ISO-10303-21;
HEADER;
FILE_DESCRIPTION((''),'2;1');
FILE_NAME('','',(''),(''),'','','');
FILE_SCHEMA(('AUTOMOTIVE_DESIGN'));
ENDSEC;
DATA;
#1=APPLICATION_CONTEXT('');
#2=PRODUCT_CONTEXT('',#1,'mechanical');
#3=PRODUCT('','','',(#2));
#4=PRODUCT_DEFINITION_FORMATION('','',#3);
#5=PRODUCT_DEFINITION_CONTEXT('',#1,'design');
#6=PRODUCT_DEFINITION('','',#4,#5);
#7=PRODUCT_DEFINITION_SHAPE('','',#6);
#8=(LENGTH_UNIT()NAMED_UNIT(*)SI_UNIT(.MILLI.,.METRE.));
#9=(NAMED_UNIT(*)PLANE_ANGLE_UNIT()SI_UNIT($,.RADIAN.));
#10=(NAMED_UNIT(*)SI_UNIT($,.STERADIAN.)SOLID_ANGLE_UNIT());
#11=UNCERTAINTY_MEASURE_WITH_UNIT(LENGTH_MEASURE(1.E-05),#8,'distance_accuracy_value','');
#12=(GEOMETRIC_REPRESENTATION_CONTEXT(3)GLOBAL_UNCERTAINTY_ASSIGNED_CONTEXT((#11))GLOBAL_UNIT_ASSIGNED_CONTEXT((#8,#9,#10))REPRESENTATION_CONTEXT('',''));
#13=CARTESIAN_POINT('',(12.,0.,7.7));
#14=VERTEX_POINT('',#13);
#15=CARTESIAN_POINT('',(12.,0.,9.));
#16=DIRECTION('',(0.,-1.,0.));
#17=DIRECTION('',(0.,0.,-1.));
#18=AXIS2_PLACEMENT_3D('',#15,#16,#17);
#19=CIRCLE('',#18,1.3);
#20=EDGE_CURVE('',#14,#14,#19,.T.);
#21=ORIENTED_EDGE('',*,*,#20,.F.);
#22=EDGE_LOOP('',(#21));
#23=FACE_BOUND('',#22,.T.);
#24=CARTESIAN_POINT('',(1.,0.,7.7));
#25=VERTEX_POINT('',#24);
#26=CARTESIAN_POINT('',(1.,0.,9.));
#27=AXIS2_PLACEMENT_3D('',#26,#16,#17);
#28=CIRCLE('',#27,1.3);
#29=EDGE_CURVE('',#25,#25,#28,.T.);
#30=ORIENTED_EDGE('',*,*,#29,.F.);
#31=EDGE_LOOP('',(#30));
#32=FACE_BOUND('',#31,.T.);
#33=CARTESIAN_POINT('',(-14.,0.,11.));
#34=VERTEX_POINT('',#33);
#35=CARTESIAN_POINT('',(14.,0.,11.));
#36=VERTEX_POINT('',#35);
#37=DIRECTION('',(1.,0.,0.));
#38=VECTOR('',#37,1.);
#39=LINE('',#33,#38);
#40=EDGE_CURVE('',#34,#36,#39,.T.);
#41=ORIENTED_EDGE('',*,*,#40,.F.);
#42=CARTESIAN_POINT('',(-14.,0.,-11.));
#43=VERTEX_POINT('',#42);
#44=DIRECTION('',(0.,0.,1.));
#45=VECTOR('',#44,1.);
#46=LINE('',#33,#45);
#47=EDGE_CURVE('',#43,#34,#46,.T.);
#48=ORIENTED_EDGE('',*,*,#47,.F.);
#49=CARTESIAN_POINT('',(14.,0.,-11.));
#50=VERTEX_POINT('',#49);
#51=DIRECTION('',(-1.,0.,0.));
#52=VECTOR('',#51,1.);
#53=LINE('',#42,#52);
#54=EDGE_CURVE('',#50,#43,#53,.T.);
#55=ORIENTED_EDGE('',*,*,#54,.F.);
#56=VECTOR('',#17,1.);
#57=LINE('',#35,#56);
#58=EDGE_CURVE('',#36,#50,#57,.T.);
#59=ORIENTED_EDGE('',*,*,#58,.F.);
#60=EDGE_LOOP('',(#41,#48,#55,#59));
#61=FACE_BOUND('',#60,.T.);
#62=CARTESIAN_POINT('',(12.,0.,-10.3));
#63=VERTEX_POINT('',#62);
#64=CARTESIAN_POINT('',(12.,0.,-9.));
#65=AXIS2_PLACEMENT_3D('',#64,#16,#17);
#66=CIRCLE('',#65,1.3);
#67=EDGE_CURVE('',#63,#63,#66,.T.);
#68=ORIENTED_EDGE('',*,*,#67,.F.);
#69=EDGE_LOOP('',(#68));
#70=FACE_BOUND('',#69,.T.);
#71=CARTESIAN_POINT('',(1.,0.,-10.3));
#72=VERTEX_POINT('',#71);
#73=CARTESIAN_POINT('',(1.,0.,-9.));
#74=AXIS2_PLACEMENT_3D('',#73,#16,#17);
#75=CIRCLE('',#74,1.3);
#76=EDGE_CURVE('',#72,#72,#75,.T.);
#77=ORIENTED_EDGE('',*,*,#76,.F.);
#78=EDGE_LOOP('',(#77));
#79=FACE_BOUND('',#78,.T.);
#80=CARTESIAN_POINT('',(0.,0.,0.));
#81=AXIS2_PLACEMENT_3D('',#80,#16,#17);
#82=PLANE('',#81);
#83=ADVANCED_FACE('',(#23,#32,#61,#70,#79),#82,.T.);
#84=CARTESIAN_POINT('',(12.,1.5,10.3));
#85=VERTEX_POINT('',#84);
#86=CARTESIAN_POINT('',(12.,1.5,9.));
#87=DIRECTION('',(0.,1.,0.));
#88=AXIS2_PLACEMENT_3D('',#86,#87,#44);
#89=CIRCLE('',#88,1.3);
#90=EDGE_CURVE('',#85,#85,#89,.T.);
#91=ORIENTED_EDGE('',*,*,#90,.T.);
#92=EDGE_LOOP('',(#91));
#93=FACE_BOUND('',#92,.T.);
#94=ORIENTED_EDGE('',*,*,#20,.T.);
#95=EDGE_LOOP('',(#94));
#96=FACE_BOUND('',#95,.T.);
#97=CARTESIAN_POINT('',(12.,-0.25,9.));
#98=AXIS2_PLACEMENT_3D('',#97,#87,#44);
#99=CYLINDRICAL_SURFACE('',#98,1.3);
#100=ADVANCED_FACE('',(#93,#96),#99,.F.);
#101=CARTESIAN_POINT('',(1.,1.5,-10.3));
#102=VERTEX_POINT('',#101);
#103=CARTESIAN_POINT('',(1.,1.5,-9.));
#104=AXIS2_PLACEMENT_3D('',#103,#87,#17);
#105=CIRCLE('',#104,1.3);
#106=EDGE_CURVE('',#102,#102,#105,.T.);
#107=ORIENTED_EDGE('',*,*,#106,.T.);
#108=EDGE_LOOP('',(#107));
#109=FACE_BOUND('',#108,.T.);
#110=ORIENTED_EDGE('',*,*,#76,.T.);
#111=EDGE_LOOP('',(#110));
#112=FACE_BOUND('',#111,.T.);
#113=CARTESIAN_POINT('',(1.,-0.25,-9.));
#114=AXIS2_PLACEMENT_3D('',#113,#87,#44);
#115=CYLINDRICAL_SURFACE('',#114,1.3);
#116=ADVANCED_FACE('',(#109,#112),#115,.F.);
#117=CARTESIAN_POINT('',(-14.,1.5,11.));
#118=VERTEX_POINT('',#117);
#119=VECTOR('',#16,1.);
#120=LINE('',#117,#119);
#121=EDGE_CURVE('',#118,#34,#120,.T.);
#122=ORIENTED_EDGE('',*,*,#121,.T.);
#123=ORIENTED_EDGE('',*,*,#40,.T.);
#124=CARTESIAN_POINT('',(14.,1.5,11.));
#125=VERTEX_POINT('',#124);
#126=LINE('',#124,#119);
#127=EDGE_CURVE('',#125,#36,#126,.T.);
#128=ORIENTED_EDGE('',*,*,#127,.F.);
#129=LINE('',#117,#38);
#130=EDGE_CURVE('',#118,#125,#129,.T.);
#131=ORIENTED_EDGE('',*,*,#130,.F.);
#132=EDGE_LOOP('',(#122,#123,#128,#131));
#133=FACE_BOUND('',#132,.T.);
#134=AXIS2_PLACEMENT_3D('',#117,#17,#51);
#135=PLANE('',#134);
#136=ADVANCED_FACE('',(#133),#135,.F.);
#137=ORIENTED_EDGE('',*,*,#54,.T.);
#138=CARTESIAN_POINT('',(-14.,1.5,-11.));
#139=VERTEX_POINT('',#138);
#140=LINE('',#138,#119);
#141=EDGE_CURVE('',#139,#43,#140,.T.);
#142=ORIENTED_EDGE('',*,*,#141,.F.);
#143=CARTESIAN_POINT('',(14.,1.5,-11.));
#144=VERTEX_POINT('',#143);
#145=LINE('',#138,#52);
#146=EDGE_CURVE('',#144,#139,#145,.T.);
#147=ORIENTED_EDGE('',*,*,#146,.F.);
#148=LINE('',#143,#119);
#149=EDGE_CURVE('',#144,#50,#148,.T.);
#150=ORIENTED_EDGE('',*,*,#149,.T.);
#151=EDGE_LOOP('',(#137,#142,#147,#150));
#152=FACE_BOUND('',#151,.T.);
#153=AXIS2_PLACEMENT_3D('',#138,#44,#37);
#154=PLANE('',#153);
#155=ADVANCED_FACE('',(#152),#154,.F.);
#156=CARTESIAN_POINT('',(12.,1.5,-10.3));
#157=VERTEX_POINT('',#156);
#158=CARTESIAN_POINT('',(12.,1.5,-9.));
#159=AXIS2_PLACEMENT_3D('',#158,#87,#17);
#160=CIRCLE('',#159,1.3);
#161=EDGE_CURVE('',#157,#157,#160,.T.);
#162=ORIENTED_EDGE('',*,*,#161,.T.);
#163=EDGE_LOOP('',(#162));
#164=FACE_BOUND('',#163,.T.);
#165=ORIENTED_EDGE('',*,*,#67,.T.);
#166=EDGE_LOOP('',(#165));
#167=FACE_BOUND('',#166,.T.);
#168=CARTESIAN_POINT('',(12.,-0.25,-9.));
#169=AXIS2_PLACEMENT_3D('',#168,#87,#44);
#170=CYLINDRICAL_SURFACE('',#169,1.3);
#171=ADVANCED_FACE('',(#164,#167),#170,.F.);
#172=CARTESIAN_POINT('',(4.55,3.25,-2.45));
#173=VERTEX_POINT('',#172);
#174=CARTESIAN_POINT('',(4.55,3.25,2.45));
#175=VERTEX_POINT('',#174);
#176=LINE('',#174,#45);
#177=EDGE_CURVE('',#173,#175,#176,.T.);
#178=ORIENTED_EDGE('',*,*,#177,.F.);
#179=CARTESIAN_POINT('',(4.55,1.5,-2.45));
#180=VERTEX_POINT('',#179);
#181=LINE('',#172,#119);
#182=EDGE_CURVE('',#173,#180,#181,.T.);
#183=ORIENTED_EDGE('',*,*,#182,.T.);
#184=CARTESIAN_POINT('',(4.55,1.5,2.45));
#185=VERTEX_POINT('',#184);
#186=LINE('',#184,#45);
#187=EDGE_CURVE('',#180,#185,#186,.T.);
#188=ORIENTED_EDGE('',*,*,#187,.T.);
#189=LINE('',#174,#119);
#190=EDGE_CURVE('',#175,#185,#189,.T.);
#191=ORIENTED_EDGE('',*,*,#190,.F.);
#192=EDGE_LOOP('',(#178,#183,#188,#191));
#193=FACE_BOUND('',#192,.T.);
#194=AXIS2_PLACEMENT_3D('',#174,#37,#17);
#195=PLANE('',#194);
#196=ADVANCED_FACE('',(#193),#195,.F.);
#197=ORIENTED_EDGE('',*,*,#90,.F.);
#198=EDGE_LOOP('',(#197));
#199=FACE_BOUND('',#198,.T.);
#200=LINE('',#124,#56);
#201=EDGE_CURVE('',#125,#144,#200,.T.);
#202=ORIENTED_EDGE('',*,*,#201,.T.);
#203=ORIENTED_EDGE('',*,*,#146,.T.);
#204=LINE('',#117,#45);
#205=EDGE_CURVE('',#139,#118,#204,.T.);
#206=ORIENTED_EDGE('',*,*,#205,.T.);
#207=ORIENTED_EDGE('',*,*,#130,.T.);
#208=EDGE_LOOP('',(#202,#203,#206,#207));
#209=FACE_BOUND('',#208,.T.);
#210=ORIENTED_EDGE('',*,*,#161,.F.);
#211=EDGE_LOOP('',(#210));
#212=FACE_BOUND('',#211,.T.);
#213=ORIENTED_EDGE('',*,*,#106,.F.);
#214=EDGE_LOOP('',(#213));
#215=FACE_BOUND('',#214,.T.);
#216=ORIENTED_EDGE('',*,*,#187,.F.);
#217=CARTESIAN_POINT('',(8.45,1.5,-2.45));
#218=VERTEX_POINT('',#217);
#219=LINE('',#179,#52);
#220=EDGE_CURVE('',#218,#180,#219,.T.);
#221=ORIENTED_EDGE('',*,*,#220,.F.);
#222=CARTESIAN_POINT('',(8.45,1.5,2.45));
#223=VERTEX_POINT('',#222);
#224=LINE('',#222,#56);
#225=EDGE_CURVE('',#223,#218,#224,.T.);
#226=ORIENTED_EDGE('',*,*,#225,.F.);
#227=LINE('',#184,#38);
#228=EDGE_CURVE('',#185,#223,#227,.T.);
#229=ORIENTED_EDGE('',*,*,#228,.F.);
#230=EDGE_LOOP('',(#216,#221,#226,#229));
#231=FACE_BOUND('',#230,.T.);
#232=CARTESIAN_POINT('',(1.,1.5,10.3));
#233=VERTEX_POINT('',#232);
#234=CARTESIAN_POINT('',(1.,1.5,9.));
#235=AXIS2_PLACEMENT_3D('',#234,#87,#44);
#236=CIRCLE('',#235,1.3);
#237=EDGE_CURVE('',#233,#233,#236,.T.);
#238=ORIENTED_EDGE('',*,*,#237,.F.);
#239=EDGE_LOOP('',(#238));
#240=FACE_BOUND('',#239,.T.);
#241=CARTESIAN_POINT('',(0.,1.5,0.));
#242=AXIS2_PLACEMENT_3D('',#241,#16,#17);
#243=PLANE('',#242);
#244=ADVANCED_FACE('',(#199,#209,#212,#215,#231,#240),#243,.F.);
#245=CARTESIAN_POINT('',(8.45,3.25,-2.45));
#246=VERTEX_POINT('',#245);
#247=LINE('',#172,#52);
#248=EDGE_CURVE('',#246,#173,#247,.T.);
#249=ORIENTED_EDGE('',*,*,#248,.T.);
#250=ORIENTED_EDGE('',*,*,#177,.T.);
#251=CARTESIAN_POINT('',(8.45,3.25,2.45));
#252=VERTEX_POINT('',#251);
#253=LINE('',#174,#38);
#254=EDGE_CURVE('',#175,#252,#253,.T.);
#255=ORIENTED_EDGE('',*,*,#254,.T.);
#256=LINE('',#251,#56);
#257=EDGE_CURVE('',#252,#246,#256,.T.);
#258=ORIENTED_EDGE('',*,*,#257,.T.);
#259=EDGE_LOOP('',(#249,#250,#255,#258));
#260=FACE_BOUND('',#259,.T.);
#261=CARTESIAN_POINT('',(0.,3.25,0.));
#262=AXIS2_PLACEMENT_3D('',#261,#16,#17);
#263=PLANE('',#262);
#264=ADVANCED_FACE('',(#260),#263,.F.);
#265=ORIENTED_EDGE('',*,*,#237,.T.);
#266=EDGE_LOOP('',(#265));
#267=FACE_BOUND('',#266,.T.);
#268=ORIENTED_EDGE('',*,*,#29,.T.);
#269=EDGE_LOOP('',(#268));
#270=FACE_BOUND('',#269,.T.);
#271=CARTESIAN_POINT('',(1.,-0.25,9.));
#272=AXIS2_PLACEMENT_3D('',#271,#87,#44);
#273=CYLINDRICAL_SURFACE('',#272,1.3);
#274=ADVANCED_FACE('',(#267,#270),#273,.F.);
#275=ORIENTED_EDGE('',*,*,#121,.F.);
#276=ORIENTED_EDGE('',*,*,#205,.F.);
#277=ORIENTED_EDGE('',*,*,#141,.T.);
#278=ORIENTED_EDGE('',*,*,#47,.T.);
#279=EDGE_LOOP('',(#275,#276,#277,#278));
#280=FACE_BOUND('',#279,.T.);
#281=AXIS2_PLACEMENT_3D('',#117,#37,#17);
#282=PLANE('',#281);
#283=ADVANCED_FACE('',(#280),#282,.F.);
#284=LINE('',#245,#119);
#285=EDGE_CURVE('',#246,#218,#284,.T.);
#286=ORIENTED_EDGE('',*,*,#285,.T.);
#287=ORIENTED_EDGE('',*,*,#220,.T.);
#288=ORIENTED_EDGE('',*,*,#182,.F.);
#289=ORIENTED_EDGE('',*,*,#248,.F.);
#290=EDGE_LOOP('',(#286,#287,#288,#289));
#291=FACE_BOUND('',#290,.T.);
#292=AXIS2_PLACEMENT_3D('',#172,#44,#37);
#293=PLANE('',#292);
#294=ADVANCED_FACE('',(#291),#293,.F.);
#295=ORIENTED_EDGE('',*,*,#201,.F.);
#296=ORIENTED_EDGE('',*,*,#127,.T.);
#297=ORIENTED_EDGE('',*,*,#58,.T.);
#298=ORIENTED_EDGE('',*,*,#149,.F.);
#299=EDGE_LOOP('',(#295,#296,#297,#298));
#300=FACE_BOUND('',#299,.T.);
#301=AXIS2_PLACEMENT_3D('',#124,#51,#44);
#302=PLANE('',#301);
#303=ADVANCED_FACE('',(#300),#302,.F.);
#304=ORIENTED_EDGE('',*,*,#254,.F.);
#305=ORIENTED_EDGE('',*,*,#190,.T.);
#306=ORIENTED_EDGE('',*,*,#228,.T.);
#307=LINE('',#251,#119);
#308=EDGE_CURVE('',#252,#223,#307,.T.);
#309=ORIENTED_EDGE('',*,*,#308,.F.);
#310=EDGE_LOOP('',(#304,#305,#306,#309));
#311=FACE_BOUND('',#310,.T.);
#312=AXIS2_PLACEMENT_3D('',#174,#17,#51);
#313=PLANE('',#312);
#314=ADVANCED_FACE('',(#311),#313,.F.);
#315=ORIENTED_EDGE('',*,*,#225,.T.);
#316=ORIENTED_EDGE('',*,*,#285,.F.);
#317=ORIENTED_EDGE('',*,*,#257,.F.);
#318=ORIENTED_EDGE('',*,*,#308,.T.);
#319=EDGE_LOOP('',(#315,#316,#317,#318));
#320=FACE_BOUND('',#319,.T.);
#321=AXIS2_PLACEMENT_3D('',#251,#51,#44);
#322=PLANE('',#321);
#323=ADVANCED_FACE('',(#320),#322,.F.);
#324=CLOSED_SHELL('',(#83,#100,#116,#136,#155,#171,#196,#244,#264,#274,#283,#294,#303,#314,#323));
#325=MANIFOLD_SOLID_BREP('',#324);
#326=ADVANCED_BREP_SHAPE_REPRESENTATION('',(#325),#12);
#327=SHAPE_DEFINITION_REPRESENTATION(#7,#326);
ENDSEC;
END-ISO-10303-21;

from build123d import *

# Parameters (mm, degrees)
SKETCH1_W           = 28
SKETCH1_H           = 22
BOSS_EXTRUDE1_DEPTH = 1.5
SKETCH2_W           = 3.9
SKETCH2_H           = 4.9
BOSS_EXTRUDE2_DEPTH = 1.75
SKETCH3_R           = 1.3
CUT_EXTRUDE1_DEPTH  = 1.75


with BuildPart() as part:
    # Sketch1 → Boss-Extrude1 (new body)
    with BuildSketch(Plane(origin=(0, 0, 0), x_dir=(1, 0, 0), z_dir=(0, 1, 0))):
        Rectangle(SKETCH1_W, SKETCH1_H)
    extrude(amount=BOSS_EXTRUDE1_DEPTH)

    # Sketch2 → Boss-Extrude2 (add)
    with BuildSketch(Plane(origin=(0, 1.5, 0), x_dir=(1, 0, 0), z_dir=(0, 1, 0))):
        with Locations((6.5, 0)):
            Rectangle(SKETCH2_W, SKETCH2_H)
    extrude(amount=BOSS_EXTRUDE2_DEPTH)

    # Sketch3 → Cut-Extrude1 (cut)
    with BuildSketch(Plane(origin=(0, 1.5, 0), x_dir=(1, 0, 0), z_dir=(0, 1, 0))):
        with Locations(Location((12, -9, 0), (0, 0, 270))):
            Circle(SKETCH3_R)
        with Locations(Location((1, -9, 0), (0, 0, 270))):
            Circle(SKETCH3_R)
        with Locations(Location((12, 9, 0), (0, 0, 90))):
            Circle(SKETCH3_R)
        with Locations(Location((1, 9, 0), (0, 0, 90))):
            Circle(SKETCH3_R)
    extrude(amount=-CUT_EXTRUDE1_DEPTH, mode=Mode.SUBTRACT)


solid = part.part
